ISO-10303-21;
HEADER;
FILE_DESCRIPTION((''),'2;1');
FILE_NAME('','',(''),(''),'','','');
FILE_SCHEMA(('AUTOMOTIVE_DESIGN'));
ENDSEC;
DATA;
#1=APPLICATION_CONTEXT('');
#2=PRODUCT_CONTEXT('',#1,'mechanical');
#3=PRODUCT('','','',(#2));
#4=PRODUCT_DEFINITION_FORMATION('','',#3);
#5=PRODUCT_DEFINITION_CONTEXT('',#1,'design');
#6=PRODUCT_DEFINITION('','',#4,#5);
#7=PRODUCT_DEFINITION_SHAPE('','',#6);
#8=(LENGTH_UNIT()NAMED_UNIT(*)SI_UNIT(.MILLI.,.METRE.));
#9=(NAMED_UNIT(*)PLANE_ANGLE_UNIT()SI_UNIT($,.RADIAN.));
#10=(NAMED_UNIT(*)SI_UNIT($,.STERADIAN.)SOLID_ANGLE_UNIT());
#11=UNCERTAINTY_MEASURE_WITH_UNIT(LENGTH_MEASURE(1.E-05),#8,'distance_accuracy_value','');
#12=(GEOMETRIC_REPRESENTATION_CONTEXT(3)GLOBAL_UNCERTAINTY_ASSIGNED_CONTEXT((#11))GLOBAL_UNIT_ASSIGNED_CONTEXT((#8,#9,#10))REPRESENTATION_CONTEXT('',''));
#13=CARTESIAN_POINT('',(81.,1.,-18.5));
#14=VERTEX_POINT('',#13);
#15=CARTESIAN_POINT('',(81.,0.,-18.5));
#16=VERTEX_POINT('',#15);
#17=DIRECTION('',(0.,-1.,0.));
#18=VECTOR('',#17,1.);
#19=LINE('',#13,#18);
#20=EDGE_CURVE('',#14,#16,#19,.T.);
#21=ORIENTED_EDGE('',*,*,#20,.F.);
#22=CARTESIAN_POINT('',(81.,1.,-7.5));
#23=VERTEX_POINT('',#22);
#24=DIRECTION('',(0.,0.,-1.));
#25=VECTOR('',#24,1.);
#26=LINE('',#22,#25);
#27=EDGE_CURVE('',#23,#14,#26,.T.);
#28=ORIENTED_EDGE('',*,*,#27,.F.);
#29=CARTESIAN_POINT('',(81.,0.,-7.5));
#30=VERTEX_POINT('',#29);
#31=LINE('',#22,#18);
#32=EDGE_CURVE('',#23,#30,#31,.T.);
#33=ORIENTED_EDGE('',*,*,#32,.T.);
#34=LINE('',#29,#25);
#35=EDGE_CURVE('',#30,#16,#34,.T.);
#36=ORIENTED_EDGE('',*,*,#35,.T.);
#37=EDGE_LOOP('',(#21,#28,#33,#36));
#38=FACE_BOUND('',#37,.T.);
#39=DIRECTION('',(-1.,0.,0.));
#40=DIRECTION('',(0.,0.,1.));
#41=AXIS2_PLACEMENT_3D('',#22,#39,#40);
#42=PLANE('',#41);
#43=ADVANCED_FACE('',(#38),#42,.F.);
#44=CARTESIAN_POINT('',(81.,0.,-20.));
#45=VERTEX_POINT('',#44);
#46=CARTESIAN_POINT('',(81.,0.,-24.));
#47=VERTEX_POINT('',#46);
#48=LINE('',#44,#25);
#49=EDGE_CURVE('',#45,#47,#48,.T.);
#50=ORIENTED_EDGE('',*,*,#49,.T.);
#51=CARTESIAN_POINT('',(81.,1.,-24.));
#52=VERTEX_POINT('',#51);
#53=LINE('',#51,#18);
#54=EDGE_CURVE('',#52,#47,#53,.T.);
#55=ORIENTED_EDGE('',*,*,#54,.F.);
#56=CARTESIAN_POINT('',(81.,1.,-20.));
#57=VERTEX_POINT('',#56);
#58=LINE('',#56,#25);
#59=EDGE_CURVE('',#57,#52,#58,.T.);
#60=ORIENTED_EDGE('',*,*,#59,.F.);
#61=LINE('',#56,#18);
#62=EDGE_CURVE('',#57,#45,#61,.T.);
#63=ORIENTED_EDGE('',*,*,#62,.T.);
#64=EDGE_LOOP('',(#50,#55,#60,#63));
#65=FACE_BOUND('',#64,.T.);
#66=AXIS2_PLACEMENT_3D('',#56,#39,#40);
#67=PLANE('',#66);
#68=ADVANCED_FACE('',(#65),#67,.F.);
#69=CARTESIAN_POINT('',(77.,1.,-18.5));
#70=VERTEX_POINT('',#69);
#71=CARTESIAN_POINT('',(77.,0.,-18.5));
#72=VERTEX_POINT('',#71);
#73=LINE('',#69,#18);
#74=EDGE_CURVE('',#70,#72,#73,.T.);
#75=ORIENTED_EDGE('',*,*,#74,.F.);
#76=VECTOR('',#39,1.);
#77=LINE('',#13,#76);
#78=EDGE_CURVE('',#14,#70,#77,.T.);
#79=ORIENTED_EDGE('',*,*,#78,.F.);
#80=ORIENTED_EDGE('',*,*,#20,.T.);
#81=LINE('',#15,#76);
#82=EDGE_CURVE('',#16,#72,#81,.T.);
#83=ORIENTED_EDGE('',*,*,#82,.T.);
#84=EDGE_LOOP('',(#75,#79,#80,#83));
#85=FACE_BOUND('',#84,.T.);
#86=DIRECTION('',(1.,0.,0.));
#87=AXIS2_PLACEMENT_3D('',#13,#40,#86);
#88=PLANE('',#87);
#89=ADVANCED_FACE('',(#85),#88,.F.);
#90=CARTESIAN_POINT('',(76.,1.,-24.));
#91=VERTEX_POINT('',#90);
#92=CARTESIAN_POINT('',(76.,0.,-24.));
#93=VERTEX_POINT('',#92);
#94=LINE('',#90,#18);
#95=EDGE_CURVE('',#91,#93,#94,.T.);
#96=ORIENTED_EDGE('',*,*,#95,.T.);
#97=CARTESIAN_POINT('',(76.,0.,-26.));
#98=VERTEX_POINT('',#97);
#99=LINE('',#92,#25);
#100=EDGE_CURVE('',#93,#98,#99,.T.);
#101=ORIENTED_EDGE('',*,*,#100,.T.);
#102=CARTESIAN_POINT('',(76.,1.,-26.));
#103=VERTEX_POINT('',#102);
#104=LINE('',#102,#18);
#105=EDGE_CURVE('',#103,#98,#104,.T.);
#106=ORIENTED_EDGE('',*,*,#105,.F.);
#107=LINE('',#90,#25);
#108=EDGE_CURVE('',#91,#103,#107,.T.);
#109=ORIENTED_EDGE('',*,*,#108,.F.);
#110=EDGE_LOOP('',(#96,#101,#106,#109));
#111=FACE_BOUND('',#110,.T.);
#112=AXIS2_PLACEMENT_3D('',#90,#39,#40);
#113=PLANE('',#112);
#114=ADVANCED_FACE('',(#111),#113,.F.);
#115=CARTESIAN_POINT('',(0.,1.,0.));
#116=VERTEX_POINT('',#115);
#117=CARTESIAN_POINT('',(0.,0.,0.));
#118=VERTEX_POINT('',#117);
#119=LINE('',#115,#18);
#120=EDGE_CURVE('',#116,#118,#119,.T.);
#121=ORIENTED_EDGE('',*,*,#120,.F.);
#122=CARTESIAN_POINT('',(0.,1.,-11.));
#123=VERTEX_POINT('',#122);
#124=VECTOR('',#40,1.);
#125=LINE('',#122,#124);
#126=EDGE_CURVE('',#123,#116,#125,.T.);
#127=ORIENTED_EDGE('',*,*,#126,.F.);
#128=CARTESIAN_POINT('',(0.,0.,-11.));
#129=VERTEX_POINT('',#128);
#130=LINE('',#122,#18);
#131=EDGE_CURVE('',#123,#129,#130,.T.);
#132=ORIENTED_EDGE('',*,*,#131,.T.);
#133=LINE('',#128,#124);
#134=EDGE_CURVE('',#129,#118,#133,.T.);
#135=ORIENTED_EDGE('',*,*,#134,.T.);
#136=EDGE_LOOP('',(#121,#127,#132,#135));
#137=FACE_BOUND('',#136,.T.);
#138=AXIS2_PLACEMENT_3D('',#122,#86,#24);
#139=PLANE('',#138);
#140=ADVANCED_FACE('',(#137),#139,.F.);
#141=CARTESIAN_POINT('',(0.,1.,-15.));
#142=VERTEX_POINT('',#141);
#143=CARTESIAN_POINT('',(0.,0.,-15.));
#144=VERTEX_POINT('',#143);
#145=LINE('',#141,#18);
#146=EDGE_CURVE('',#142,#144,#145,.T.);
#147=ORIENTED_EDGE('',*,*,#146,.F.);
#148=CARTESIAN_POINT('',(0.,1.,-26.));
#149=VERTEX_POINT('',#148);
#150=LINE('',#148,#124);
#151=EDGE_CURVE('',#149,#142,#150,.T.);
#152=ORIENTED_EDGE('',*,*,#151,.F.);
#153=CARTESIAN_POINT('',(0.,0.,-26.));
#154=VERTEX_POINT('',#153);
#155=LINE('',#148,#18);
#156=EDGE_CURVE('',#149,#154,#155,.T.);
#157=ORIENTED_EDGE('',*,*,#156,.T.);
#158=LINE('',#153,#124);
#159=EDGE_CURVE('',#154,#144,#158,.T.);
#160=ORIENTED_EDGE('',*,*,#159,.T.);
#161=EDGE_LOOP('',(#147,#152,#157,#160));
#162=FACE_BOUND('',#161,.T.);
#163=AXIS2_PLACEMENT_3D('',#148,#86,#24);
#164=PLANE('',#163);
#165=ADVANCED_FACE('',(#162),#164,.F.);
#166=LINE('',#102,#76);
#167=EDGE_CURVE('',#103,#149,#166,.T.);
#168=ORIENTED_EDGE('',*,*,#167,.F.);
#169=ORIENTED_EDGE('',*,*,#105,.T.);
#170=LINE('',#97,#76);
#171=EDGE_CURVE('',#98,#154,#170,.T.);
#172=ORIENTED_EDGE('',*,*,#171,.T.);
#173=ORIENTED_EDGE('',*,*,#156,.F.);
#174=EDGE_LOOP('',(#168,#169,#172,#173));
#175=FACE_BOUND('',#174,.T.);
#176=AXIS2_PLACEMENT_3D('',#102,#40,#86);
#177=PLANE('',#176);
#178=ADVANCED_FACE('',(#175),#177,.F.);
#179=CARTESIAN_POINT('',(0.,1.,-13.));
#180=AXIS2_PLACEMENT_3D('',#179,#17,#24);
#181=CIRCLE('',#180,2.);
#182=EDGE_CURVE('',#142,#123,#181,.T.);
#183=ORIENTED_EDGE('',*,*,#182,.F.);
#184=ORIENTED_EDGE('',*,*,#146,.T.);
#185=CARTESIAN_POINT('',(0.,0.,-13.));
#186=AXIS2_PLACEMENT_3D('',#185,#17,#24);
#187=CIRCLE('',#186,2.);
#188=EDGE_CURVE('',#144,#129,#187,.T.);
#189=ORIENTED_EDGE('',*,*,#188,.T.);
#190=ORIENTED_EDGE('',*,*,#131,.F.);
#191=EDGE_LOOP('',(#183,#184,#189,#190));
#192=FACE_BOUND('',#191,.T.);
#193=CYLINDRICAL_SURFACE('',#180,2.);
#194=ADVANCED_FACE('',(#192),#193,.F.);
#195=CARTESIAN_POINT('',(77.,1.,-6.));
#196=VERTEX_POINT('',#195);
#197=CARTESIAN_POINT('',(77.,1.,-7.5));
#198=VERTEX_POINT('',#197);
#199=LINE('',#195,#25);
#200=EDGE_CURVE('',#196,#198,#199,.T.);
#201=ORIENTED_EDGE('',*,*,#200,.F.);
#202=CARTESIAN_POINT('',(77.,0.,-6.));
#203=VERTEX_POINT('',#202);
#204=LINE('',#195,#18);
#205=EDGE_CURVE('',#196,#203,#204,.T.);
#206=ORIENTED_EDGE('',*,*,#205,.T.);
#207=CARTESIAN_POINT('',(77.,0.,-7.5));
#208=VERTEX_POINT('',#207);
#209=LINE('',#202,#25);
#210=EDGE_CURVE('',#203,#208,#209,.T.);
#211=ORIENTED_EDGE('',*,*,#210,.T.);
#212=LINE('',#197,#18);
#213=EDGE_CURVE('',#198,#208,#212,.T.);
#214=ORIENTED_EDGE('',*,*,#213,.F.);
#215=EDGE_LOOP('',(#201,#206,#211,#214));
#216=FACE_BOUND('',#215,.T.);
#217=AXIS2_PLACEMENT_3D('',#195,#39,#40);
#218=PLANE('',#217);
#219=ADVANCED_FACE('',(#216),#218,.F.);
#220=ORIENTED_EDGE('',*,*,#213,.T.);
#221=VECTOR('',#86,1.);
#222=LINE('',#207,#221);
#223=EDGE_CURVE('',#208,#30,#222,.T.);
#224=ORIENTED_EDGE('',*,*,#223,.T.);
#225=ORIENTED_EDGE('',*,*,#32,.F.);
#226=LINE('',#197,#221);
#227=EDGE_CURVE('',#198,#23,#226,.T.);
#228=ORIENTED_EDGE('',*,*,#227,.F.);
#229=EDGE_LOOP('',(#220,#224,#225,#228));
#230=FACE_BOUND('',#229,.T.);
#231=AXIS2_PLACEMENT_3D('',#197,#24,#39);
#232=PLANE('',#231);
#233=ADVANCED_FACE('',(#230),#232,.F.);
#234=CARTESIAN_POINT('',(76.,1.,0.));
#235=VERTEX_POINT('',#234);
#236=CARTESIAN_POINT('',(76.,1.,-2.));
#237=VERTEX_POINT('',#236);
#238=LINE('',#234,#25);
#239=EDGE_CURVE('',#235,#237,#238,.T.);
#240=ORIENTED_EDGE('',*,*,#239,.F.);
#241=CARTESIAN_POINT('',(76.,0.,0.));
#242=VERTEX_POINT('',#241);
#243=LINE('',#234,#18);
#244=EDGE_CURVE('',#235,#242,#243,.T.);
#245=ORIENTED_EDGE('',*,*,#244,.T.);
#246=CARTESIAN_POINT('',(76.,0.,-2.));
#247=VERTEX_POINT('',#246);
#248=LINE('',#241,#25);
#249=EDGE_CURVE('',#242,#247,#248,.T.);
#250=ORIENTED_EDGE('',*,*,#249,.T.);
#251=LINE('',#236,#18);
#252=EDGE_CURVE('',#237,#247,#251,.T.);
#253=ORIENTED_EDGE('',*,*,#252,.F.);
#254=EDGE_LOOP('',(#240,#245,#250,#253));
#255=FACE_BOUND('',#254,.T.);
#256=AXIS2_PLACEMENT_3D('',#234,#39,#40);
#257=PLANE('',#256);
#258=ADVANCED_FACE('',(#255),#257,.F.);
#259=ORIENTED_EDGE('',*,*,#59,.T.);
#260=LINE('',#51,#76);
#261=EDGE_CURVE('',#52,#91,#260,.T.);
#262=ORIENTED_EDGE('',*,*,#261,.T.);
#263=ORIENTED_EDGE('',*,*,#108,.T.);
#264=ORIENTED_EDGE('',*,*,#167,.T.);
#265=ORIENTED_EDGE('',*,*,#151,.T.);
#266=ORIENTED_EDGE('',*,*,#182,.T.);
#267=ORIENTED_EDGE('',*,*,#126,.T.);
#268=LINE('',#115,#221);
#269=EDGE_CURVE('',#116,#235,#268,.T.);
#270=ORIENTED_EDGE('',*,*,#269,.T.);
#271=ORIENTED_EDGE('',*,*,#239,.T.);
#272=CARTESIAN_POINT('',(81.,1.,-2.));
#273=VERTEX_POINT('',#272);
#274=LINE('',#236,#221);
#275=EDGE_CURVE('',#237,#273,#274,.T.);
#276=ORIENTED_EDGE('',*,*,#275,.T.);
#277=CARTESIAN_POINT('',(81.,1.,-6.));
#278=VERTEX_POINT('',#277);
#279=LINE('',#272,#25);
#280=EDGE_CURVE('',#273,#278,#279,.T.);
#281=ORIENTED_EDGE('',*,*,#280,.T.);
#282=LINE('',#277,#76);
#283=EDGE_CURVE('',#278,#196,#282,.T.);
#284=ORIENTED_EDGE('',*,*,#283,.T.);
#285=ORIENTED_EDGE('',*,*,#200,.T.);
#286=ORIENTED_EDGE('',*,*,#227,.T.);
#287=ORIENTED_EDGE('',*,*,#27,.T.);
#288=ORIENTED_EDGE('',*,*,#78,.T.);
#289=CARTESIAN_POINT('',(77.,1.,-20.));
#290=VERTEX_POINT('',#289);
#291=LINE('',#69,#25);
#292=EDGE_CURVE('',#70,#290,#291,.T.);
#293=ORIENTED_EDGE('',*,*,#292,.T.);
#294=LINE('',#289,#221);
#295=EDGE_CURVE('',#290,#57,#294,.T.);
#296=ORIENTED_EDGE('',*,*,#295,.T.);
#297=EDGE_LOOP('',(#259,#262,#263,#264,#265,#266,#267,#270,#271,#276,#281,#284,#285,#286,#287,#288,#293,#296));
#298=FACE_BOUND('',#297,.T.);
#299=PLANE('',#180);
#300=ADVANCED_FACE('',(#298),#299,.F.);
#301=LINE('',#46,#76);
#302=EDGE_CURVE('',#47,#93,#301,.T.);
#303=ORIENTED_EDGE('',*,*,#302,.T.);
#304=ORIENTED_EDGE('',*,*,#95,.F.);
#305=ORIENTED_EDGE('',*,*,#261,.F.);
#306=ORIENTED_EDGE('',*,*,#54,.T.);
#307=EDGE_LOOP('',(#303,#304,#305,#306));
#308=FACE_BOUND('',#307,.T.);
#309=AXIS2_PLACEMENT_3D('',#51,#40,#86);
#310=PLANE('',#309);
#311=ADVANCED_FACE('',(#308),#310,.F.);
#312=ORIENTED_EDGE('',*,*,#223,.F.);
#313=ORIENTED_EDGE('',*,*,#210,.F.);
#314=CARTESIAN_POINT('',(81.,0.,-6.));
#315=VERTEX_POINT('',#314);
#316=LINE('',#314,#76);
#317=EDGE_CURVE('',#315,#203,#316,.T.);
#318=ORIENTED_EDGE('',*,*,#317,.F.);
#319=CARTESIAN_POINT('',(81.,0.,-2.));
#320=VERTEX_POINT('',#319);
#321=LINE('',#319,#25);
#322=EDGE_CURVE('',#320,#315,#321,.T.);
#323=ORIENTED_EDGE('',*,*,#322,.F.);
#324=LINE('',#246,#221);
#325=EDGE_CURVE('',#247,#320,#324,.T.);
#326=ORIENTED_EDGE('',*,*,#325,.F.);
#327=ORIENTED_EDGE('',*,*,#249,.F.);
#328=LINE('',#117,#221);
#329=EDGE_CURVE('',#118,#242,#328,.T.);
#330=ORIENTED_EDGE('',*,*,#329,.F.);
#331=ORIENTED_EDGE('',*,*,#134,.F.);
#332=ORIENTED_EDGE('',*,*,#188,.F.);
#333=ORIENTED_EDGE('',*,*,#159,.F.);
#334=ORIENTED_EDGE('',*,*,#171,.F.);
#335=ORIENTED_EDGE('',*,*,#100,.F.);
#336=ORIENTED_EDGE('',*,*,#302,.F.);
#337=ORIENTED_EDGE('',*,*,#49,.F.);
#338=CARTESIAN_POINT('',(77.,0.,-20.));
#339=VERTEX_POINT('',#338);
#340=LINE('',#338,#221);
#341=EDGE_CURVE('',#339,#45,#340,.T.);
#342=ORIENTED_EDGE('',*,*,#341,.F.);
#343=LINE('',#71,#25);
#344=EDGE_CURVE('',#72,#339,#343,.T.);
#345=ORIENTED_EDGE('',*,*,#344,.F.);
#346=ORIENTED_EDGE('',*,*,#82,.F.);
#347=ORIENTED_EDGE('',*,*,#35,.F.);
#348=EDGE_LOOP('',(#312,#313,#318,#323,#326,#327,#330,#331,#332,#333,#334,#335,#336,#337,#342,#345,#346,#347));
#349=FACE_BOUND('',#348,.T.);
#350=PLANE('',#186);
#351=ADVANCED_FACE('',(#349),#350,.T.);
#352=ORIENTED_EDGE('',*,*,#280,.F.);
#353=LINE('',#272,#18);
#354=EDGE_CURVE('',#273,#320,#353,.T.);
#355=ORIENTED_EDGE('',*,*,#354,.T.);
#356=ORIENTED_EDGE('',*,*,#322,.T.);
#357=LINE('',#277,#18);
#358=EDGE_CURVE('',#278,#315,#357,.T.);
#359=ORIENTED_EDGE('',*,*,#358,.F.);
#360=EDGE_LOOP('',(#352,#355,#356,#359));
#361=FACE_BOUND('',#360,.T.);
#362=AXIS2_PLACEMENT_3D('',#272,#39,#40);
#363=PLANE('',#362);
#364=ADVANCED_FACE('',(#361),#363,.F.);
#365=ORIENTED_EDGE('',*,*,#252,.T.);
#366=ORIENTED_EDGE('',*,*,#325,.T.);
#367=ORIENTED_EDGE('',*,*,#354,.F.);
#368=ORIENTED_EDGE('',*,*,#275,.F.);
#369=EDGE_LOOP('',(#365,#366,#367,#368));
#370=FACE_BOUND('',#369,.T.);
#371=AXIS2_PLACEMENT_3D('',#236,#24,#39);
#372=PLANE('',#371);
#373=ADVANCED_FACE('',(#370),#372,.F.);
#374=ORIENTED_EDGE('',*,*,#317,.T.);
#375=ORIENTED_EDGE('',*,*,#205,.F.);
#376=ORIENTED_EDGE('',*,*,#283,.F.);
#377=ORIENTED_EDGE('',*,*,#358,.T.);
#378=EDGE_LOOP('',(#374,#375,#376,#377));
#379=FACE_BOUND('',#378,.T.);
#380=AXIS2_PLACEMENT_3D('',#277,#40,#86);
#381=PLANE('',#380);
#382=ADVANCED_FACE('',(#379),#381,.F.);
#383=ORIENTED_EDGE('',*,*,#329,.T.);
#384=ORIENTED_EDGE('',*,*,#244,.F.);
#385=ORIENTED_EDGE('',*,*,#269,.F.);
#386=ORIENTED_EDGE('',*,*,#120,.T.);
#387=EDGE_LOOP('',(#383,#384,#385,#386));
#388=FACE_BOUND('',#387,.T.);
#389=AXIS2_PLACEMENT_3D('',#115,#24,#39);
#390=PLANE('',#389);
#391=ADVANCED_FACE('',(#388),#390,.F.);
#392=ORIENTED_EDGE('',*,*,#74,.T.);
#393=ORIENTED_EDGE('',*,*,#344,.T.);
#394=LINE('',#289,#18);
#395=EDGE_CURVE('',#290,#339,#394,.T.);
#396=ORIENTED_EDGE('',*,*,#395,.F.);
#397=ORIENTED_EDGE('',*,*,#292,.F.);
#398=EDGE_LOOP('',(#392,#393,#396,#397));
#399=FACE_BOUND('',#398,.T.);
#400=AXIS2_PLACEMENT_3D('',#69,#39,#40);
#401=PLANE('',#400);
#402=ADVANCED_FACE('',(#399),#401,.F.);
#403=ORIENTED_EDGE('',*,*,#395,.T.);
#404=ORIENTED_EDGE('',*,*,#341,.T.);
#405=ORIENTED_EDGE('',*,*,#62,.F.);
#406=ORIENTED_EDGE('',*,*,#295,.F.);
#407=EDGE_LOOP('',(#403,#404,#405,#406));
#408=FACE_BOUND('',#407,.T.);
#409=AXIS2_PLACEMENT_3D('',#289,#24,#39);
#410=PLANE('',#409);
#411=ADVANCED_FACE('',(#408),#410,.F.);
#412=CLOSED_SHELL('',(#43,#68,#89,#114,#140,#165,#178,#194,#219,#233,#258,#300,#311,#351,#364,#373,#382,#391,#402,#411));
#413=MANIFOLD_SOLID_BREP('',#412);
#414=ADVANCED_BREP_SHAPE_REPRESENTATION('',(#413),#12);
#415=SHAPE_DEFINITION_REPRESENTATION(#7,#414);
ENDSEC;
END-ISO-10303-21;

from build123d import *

# Parameters (mm, degrees)
EXTRUDE_1_DEPTH = 1


with BuildPart() as part:
    # 草圖1 → 填料-伸長1 (new body)
    with BuildSketch(Plane(origin=(0, 0, 0), x_dir=(1, 0, 0), z_dir=(0, 1, 0))):
        with BuildLine():
            Line((0, 0), (76, 0))
            Line((76, 0), (76, 2))
            Line((76, 2), (81, 2))
            Line((81, 2), (81, 6))
            Line((81, 6), (77, 6))
            Line((77, 6), (77, 7.5))
            Line((77, 7.5), (81, 7.5))
            Line((81, 7.5), (81, 18.5))
            Line((81, 18.5), (77, 18.5))
            Line((77, 18.5), (77, 20))
            Line((77, 20), (81, 20))
            Line((81, 20), (81, 24))
            Line((81, 24), (76, 24))
            Line((76, 24), (76, 26))
            Line((76, 26), (0, 26))
            Line((0, 26), (0, 15))
            ThreePointArc((0, 15), (2, 13), (0, 11))
            Line((0, 11), (0, 0))
        make_face()
    extrude(amount=EXTRUDE_1_DEPTH)


solid = part.part
